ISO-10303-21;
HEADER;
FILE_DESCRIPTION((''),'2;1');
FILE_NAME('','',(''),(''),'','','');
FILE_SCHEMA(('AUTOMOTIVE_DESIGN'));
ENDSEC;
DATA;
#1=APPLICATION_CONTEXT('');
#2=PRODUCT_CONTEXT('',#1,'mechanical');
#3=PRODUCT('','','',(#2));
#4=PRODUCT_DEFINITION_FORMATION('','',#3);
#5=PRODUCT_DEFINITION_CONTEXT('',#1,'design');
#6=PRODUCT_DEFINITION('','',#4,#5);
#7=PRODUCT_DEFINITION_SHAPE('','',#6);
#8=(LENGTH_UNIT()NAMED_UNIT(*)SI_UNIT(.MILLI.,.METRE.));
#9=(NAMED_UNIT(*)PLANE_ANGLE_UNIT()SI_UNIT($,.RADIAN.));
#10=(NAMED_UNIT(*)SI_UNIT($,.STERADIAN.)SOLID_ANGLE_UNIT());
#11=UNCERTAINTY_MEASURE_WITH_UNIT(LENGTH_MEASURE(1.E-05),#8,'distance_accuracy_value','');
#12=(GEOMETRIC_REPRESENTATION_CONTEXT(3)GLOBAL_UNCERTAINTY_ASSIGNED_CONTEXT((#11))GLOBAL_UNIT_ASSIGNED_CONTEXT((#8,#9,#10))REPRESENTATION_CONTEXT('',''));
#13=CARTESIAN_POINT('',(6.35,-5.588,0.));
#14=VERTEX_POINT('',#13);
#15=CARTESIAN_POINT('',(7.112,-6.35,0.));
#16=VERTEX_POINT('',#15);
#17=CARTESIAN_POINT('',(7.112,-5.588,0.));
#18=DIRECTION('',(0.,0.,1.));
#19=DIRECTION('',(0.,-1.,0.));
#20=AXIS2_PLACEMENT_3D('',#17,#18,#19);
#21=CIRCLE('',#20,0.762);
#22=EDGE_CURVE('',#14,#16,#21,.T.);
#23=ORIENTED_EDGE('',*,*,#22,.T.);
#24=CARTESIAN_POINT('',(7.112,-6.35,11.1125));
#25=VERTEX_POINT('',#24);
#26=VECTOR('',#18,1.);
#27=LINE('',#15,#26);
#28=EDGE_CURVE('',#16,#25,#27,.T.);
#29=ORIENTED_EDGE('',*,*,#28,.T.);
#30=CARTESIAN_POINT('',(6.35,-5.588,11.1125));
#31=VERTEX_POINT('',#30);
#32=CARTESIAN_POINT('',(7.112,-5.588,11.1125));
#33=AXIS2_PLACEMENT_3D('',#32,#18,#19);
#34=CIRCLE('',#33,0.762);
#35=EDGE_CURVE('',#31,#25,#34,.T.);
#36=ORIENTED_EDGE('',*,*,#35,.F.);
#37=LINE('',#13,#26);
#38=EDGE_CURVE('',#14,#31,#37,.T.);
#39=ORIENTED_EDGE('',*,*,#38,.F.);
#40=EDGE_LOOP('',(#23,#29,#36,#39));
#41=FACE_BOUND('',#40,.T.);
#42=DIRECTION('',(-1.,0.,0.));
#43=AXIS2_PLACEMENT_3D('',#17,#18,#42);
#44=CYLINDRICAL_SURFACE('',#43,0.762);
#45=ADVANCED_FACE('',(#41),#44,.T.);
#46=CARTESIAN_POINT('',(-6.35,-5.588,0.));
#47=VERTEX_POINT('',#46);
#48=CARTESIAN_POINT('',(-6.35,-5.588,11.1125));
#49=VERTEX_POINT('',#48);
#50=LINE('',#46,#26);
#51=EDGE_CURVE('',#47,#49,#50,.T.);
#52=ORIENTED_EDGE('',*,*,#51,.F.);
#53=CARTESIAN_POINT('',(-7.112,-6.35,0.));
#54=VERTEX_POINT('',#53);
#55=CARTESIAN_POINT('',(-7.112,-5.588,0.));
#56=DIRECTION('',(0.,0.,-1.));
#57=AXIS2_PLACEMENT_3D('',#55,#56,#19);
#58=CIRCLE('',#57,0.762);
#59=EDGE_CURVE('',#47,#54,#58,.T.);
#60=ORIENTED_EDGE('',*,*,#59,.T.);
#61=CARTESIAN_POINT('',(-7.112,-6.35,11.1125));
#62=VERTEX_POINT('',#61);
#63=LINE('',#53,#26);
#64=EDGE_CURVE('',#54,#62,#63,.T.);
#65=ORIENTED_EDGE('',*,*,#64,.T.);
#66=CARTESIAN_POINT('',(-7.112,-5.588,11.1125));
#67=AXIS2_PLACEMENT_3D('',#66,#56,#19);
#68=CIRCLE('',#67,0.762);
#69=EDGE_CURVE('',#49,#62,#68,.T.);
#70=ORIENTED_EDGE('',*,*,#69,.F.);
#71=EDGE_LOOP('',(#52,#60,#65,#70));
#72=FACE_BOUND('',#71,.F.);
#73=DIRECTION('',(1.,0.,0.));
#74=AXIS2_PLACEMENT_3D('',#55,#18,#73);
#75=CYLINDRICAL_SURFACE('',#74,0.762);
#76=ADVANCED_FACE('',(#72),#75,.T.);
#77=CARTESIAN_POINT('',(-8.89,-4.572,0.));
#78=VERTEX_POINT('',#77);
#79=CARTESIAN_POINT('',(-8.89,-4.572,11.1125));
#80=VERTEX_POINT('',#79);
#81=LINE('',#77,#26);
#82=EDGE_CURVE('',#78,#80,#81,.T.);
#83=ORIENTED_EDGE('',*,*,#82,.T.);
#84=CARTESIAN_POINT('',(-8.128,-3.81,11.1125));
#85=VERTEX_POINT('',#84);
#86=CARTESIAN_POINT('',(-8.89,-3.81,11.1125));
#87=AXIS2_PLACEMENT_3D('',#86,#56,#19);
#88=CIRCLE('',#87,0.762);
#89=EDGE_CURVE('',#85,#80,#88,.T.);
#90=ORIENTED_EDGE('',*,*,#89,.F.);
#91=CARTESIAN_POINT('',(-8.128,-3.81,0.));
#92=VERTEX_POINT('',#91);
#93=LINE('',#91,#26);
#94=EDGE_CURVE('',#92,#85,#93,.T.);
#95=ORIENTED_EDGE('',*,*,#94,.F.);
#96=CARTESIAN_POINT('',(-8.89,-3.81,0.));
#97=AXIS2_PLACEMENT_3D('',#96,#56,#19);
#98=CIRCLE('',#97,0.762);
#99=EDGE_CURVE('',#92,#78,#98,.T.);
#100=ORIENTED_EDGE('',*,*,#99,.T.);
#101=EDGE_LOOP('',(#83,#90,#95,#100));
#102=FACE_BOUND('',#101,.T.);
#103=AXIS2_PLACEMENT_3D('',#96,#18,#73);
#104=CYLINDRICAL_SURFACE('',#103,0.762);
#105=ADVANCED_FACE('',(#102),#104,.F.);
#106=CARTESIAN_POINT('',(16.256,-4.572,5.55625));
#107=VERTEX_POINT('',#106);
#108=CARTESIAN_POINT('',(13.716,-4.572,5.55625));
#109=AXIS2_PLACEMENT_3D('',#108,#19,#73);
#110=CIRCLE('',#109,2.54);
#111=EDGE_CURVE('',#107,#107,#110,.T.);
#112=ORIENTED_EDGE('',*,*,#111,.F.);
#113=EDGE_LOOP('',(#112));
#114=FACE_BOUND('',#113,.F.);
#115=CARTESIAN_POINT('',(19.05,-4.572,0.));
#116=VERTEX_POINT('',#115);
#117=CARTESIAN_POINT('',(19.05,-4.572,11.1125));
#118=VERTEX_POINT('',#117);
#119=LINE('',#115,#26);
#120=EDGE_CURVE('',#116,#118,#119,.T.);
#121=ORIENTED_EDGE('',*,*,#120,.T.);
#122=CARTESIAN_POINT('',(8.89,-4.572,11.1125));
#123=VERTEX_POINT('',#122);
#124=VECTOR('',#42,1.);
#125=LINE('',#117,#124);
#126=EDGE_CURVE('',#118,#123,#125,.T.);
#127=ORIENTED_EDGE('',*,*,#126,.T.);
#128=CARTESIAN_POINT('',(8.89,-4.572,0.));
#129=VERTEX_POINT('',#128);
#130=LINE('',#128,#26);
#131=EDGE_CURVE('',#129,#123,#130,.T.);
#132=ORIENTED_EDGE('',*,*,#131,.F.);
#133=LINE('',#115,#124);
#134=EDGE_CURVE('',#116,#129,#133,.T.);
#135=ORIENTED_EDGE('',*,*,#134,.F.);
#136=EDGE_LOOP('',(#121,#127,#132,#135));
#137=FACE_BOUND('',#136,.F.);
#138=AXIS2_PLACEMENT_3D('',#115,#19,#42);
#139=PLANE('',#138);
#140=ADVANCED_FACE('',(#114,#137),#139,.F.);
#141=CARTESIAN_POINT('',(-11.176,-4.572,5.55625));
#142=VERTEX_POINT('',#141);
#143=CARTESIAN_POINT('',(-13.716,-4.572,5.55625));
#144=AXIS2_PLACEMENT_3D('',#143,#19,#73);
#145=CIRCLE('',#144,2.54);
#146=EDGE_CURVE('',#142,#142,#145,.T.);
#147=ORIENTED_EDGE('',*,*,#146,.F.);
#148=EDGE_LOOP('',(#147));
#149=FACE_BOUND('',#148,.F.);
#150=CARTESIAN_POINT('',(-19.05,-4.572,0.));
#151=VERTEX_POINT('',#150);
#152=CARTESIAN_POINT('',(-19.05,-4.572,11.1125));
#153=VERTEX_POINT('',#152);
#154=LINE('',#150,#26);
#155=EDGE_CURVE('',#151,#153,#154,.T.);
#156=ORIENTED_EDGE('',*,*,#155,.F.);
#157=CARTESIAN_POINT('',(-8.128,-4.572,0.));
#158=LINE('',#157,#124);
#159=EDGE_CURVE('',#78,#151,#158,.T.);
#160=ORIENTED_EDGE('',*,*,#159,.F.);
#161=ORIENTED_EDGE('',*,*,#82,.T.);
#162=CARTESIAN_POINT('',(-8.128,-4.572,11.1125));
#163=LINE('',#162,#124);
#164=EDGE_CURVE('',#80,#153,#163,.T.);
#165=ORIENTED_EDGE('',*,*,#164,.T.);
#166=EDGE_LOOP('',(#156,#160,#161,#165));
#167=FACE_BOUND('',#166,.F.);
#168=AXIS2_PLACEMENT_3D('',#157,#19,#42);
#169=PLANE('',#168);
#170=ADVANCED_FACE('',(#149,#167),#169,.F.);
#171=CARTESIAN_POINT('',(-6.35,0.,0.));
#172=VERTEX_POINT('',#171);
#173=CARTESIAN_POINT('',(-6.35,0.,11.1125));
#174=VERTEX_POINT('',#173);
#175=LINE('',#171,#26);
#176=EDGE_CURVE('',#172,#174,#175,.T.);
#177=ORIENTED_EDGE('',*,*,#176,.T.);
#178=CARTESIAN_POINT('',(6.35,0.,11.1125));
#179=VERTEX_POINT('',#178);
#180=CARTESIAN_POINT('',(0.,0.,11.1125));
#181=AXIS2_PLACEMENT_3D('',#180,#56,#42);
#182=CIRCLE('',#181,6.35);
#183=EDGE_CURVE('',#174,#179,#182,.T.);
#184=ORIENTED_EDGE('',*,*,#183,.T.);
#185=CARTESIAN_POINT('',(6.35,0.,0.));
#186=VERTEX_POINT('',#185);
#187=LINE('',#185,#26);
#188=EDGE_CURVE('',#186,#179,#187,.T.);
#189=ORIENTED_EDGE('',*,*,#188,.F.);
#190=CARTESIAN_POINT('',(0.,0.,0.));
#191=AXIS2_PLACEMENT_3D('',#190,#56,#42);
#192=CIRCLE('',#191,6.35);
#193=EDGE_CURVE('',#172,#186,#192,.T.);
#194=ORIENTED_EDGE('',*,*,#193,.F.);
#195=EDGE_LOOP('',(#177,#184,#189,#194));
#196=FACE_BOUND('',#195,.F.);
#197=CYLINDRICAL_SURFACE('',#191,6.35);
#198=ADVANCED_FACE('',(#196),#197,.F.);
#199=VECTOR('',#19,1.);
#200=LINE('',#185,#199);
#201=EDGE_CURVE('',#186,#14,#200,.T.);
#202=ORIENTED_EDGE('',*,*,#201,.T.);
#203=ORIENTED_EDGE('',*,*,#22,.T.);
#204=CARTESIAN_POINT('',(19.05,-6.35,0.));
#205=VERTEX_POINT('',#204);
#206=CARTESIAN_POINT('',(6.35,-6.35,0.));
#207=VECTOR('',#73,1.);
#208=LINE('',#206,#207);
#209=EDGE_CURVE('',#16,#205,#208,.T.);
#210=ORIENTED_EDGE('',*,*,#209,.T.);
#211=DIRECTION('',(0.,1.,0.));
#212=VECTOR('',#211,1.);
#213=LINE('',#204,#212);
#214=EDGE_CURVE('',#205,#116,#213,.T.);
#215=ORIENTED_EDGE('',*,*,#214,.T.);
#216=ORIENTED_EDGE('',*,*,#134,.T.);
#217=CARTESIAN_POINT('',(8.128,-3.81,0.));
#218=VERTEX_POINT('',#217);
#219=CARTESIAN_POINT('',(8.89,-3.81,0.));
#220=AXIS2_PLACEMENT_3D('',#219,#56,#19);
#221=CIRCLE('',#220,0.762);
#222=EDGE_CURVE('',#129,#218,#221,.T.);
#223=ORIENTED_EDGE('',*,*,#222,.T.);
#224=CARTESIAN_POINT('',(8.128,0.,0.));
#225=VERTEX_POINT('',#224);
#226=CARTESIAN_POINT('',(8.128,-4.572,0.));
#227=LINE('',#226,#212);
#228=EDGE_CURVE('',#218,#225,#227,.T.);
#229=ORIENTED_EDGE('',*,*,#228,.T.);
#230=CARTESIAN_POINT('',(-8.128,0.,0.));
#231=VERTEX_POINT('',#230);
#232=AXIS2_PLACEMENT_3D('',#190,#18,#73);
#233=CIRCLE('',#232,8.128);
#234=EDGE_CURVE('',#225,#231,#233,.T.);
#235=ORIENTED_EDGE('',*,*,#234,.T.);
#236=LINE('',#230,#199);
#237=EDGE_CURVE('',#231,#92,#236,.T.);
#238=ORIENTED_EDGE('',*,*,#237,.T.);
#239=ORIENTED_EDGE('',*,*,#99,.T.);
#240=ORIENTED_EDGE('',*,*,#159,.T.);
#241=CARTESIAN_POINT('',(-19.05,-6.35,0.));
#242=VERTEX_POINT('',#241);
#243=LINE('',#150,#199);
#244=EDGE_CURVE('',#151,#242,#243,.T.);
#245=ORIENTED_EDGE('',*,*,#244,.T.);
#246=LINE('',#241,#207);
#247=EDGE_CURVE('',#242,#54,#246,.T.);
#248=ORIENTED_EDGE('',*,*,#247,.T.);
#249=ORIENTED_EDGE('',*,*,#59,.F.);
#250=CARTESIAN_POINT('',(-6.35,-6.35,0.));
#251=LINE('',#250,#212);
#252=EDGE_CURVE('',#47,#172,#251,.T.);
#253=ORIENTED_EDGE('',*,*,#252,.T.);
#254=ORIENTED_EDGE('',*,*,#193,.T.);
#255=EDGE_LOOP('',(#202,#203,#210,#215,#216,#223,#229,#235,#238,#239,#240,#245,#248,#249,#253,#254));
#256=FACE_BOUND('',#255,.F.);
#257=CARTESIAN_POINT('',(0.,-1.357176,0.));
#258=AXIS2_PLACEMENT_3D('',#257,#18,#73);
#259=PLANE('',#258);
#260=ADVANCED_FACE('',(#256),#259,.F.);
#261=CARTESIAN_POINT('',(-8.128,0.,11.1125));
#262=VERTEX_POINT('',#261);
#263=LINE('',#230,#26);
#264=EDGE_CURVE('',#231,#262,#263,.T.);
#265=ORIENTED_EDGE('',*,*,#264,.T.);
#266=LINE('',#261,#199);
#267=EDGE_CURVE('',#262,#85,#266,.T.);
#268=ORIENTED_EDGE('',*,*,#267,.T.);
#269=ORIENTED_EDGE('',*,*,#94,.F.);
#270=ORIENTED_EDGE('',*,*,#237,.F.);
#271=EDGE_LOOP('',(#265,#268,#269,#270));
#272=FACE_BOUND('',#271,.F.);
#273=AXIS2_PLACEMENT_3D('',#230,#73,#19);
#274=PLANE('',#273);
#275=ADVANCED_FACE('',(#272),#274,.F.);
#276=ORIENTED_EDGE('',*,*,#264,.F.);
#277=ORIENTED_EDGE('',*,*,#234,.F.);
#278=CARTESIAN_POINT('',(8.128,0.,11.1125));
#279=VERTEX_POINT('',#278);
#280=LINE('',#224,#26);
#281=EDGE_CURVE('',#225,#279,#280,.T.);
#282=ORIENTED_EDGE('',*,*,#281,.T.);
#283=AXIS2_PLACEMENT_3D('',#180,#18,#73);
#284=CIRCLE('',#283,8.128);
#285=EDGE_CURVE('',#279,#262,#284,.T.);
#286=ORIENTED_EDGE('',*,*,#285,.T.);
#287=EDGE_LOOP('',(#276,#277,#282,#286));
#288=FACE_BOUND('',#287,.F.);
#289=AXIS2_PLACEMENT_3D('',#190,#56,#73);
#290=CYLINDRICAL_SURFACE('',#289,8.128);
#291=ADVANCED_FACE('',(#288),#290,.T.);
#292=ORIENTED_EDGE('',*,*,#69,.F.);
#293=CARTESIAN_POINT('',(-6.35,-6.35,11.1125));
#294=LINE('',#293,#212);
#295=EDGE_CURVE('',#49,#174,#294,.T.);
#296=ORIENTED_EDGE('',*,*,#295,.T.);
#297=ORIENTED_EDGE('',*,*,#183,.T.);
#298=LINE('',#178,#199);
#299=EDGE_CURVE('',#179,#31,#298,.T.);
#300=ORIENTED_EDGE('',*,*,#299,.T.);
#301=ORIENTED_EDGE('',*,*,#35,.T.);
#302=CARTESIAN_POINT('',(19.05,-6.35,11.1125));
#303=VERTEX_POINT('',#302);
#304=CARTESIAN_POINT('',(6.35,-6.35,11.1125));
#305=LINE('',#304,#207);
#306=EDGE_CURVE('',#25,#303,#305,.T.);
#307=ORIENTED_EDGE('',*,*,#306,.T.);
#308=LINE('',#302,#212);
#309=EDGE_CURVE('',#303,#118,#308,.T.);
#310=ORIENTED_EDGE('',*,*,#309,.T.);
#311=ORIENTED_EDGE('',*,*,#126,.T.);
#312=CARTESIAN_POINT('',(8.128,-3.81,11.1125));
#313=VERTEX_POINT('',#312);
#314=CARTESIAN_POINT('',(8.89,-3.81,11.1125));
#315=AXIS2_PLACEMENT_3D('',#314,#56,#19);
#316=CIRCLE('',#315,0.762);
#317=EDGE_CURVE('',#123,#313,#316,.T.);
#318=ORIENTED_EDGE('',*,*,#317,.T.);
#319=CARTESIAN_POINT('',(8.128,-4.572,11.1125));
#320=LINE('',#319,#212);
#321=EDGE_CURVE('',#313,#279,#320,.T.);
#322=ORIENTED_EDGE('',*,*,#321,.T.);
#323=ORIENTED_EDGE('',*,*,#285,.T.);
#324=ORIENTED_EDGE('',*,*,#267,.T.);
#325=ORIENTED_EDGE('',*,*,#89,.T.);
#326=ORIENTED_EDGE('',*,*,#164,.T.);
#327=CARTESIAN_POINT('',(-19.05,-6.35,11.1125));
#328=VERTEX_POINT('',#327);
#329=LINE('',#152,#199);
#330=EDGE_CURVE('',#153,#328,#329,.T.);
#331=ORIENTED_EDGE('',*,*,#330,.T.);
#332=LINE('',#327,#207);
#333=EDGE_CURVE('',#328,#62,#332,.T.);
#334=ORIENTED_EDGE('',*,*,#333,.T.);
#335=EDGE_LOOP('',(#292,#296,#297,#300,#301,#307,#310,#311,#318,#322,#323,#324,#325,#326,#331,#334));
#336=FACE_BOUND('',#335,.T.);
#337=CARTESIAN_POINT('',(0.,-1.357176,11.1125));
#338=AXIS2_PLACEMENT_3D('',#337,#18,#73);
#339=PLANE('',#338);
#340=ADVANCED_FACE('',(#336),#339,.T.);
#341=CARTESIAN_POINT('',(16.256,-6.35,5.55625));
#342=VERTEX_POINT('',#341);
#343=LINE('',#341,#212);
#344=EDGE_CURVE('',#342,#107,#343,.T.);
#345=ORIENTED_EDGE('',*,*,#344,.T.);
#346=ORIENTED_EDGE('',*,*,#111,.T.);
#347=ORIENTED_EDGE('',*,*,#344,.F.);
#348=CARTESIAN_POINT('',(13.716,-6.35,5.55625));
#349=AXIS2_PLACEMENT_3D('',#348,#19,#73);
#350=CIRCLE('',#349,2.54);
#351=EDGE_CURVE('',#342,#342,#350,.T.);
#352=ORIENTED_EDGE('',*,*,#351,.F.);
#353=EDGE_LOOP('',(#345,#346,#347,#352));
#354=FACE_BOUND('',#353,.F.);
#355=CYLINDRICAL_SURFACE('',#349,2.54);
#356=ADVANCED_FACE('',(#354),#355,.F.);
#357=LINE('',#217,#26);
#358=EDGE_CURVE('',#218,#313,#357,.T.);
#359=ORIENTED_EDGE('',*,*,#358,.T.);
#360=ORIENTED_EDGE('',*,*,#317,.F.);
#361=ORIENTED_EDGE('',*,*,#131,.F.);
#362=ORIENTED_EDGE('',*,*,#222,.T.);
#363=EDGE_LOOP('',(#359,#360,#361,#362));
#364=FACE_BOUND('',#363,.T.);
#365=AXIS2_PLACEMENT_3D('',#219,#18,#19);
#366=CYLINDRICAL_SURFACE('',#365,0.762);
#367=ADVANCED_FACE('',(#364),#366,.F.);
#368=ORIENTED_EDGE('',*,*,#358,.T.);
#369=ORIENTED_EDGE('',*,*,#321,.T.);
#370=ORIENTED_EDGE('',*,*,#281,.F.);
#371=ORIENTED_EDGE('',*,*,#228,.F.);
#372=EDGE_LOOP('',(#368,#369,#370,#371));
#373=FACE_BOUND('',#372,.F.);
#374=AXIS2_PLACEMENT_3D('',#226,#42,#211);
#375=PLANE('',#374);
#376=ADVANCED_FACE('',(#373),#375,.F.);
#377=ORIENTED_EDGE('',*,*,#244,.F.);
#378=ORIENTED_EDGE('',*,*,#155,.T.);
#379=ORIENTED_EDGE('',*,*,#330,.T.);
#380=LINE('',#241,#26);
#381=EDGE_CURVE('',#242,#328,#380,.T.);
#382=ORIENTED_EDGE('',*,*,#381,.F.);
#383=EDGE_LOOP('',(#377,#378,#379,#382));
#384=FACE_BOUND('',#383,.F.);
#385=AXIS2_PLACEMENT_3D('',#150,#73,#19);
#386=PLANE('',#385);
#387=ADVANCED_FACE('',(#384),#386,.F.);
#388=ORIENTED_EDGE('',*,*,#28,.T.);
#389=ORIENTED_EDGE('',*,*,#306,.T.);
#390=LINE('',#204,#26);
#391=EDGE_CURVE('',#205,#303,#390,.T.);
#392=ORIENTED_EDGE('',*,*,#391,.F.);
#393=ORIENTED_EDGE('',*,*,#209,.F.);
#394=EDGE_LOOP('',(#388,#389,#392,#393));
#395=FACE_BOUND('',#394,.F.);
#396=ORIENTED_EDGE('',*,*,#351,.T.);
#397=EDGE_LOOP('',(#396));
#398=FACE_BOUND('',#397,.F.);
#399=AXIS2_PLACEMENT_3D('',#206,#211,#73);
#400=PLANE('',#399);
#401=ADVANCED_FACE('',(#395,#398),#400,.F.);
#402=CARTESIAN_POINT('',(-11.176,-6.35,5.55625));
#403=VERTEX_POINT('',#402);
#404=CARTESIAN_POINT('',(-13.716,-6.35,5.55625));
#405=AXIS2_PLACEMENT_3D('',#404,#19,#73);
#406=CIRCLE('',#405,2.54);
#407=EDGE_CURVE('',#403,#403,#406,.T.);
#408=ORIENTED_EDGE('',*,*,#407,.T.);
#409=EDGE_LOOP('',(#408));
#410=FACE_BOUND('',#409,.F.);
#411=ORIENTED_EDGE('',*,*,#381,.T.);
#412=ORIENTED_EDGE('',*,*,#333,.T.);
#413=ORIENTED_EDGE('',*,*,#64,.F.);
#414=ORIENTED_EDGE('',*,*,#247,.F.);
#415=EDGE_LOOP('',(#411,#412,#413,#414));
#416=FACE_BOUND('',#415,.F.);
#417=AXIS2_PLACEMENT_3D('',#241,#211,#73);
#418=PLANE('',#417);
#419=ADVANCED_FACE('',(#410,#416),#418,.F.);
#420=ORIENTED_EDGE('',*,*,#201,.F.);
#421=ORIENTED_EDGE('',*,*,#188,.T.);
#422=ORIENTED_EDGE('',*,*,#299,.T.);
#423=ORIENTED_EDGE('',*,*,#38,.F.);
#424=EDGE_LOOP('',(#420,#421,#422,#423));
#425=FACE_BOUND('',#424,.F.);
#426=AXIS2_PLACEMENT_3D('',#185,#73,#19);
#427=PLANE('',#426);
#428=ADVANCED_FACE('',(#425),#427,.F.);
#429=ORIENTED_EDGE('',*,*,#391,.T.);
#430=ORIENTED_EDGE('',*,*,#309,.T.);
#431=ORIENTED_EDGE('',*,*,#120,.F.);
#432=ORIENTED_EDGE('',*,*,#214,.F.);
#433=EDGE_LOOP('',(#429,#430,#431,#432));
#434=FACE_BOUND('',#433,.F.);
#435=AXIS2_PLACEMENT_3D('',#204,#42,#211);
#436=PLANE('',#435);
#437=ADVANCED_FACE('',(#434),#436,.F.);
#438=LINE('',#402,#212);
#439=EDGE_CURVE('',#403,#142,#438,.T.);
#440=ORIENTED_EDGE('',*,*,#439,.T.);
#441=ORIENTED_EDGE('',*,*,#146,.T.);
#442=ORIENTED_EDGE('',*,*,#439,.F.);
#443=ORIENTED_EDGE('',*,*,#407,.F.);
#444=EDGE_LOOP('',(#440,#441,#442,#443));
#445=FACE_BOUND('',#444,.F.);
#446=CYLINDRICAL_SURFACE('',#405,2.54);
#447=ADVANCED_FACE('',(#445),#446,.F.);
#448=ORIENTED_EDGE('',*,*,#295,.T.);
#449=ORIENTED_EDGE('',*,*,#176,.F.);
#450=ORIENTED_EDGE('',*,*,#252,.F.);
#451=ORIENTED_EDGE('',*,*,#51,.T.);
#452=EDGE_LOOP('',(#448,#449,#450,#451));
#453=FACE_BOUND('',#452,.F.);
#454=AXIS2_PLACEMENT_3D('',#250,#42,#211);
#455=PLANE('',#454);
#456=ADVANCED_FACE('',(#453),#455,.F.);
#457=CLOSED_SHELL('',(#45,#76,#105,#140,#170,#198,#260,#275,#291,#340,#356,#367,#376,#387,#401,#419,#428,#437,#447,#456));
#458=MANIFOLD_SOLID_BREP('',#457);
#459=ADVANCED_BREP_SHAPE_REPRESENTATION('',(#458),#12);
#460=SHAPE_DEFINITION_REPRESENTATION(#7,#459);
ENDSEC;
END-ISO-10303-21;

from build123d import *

# Parameters (mm, degrees)
F1_DEPTH = 11.1125
F2_R     = 0.762
F3_R     = 2.54
F4_DEPTH = 14.479


with BuildPart() as f1:
    # F0 (on Top) → F1 (new body)
    with BuildSketch(Plane.XY):
        with BuildLine():
            Line((-6.35, -6.35), (-6.35, 0))
            ThreePointArc((-6.35, 0), (0, 6.35), (6.35, 0))
            Line((6.35, 0), (6.35, -6.35))
            Line((6.35, -6.35), (19.05, -6.35))
            Line((19.05, -6.35), (19.05, -4.572))
            Line((19.05, -4.572), (8.128, -4.572))
            Line((8.128, -4.572), (8.128, 0))
            ThreePointArc((8.128, 0), (0, 8.128), (-8.128, 0))
            Line((-8.128, 0), (-8.128, -4.572))
            Line((-8.128, -4.572), (-19.05, -4.572))
            Line((-19.05, -4.572), (-19.05, -6.35))
            Line((-19.05, -6.35), (-6.35, -6.35))
        make_face()
    extrude(amount=F1_DEPTH)

    # F2
    f2_edges = [f1.edges().sort_by_distance(p)[0] for p in [
        (-6.35, -6.35, 5.55625),
        (6.35, -6.35, 5.55625),
        (8.128, -4.572, 5.55625),
        (-8.128, -4.572, 5.55625),
    ]]
    fillet(f2_edges, radius=F2_R)

    # F3 (on face) → F4 (cut, through all)
    with BuildSketch(Plane.XZ.offset(6.35)):
        with Locations((-13.716, 5.55625)):
            Circle(F3_R)
        with Locations((13.716, 5.55625)):
            Circle(F3_R)
    extrude(amount=-F4_DEPTH, mode=Mode.SUBTRACT)


solid = f1.part
